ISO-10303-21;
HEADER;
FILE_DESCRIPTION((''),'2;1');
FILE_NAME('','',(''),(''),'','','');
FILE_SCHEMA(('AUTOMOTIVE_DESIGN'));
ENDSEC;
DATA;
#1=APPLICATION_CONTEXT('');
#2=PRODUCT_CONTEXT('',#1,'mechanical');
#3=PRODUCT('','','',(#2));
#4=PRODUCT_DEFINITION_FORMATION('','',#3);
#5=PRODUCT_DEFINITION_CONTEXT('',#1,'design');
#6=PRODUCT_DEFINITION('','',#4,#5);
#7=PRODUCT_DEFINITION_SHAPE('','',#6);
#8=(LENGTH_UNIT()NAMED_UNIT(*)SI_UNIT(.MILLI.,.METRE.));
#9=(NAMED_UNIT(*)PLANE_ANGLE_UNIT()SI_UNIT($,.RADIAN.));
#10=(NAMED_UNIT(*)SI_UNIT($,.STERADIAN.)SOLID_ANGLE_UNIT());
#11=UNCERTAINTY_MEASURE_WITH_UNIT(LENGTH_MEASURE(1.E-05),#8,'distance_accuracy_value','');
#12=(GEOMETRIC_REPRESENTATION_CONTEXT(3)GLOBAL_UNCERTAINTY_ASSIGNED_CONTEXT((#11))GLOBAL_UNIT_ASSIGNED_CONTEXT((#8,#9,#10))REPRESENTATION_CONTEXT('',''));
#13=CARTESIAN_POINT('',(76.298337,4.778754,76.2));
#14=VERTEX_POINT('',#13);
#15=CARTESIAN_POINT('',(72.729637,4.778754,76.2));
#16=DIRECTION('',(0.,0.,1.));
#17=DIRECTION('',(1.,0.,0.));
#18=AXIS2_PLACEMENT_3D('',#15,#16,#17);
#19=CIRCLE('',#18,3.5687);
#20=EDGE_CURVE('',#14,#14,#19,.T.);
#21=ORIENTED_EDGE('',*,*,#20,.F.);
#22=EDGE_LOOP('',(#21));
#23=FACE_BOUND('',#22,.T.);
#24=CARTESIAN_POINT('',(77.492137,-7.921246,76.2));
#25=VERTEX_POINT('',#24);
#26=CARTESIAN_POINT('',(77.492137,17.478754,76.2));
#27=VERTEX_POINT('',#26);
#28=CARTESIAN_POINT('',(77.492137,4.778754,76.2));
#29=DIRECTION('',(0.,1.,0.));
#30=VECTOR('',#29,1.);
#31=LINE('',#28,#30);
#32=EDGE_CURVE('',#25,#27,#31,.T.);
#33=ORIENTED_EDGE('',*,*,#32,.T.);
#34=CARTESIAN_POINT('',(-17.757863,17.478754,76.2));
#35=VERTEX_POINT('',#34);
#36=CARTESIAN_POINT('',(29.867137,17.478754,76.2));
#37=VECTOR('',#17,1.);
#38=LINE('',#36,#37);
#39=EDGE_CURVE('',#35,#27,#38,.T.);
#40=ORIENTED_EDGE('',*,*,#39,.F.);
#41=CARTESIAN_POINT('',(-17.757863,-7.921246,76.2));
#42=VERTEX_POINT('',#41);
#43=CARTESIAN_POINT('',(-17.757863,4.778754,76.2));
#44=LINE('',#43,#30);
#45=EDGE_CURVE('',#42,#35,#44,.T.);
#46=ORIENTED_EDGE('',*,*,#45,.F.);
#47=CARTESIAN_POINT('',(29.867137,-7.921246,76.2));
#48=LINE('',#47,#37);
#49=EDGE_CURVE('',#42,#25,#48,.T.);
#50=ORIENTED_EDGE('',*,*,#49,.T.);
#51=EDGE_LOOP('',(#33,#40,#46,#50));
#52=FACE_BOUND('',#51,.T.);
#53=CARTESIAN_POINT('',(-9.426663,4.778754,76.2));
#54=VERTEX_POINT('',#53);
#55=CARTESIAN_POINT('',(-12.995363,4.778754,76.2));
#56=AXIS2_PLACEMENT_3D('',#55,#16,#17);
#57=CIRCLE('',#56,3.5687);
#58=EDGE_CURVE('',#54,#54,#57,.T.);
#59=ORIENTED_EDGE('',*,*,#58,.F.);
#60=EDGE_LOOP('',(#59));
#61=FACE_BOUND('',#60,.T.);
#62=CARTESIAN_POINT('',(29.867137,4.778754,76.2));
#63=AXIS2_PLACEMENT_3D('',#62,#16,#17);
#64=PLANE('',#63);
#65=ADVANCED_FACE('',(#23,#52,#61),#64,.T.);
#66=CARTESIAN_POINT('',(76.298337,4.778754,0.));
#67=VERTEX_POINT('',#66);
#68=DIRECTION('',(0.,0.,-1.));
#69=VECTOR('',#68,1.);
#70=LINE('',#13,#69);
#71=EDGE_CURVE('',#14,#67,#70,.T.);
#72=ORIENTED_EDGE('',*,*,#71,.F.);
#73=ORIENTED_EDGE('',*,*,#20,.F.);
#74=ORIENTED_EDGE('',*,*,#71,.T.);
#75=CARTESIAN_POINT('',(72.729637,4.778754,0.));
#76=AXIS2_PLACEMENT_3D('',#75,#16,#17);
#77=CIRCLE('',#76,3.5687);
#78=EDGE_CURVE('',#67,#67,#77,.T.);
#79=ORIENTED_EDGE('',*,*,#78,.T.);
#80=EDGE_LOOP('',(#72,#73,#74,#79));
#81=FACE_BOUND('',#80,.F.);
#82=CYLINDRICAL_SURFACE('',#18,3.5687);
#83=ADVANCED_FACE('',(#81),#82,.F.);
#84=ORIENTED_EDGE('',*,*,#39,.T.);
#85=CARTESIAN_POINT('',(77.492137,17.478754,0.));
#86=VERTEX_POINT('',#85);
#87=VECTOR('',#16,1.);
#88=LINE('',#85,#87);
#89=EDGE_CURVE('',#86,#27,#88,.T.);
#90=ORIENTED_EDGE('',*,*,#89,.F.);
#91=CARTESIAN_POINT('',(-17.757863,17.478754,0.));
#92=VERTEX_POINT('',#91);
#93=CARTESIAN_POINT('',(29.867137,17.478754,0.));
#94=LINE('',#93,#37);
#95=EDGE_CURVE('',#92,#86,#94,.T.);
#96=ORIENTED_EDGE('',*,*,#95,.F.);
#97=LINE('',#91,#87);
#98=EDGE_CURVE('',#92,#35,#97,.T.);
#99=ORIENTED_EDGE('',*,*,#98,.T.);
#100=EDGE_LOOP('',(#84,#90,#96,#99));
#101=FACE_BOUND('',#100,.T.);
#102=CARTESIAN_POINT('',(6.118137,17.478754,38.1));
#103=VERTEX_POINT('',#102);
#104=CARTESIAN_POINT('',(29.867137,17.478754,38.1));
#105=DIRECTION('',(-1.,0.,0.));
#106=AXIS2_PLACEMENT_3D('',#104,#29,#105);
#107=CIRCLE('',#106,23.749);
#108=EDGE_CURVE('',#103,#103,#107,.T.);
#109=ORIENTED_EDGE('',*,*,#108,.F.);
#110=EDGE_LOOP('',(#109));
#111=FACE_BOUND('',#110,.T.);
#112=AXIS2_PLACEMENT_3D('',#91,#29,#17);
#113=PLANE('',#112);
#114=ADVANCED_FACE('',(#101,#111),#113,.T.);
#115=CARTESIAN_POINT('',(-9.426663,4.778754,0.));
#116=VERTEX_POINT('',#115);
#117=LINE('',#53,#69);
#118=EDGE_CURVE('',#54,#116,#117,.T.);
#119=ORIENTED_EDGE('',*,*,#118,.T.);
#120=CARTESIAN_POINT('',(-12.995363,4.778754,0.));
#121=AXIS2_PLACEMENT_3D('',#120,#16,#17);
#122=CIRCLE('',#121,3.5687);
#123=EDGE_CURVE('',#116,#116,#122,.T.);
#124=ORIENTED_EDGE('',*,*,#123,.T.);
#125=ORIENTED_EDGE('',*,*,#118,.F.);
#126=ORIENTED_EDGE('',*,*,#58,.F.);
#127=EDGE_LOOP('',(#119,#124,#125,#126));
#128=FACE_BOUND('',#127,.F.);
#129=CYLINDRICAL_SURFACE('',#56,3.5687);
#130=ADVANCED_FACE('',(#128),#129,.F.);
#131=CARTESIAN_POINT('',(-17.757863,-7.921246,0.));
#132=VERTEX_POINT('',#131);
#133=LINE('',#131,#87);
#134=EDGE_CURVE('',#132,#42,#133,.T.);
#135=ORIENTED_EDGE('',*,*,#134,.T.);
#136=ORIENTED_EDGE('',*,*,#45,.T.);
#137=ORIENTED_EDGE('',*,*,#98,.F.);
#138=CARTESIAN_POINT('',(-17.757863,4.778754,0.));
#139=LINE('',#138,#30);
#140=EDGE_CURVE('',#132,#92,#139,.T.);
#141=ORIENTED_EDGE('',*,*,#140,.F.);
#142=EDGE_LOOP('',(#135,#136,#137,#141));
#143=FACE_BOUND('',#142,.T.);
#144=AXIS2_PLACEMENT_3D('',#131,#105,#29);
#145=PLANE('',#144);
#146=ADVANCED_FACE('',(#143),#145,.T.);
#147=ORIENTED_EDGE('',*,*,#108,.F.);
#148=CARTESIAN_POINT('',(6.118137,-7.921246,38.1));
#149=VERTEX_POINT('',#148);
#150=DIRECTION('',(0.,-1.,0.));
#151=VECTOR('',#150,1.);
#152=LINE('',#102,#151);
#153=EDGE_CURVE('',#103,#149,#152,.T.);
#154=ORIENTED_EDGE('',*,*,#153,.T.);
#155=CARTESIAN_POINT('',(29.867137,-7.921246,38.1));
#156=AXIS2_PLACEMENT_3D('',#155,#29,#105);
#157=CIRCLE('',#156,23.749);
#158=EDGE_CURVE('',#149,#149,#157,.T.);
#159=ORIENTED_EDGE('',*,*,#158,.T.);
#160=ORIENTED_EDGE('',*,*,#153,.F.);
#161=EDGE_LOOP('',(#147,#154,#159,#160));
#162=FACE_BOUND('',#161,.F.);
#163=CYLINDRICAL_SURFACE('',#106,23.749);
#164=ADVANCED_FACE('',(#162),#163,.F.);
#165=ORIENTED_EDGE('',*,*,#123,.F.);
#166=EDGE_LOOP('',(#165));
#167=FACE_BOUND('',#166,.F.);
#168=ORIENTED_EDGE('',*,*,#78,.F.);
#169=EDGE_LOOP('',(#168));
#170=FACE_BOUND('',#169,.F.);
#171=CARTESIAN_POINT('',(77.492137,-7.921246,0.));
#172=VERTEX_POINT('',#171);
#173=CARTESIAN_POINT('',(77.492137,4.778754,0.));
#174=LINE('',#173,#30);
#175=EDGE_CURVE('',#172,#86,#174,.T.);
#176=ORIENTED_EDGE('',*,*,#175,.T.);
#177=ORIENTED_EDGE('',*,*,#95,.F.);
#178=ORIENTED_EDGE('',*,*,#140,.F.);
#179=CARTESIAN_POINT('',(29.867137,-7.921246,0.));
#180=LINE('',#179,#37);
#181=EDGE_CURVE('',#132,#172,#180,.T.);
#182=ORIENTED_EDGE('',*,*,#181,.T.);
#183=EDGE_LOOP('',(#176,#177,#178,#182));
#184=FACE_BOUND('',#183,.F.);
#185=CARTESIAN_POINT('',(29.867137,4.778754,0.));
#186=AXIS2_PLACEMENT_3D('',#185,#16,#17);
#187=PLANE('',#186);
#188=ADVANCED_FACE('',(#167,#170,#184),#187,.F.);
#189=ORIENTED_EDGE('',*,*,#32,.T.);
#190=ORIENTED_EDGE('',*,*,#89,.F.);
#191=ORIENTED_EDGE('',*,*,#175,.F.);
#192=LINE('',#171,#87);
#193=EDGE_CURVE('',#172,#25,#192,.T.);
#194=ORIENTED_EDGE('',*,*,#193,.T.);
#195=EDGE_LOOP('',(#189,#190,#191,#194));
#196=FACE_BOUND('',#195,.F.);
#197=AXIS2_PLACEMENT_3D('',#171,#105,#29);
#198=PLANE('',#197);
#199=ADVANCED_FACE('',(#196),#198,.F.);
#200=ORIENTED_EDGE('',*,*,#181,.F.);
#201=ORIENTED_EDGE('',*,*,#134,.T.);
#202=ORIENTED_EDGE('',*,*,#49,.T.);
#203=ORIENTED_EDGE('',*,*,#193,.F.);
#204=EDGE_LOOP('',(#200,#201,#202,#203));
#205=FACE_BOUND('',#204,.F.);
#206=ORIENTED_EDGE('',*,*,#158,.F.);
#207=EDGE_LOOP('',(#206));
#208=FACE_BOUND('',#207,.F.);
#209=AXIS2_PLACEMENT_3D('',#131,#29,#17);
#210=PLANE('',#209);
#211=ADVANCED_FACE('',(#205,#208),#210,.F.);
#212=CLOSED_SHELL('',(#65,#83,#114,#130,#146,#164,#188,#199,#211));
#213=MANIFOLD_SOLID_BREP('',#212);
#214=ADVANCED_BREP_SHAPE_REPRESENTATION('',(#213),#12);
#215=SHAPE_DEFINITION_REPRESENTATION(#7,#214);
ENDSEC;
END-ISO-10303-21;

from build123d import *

# Parameters (mm, degrees)
F0_W     = 95.25
F0_H     = 25.4
F1_DEPTH = 76.2
F3_DEPTH = 25.4
F4_R     = 3.5687
F5_DEPTH = 76.2


with BuildPart() as f1:
    # F0 (on Top) → F1 (new body)
    with BuildSketch(Plane.XY):
        with Locations((29.8671370132, 4.7787539661)):
            Rectangle(F0_W, F0_H)
    extrude(amount=F1_DEPTH)

    # F2 (on face) → F3 (cut)
    with BuildSketch(Plane(origin=(0, 17.4787539661, 0), x_dir=(-1, 0, 0), z_dir=(0, 1, 0))):
        with BuildLine():
            ThreePointArc((-53.6161370132, 38.1), (-29.8671370132, 14.351), (-6.1181370132, 38.1))
            Line((-6.1181370132, 38.1), (-53.6161370132, 38.1))
        make_face()
        with BuildLine():
            Line((-53.6161370132, 38.1), (-6.1181370132, 38.1))
            ThreePointArc((-6.1181370132, 38.1), (-29.8671370132, 61.849), (-53.6161370132, 38.1))
        make_face()
    extrude(amount=-F3_DEPTH, mode=Mode.SUBTRACT)

    # F4 (on face) → F5 (cut)
    with BuildSketch(Plane.XY.offset(76.2)):
        with Locations((72.7296370132, 4.7787539661)):
            Circle(F4_R)
        with Locations((-12.9953629868, 4.7787539661)):
            Circle(F4_R)
    extrude(amount=-F5_DEPTH, mode=Mode.SUBTRACT)


solid = f1.part
